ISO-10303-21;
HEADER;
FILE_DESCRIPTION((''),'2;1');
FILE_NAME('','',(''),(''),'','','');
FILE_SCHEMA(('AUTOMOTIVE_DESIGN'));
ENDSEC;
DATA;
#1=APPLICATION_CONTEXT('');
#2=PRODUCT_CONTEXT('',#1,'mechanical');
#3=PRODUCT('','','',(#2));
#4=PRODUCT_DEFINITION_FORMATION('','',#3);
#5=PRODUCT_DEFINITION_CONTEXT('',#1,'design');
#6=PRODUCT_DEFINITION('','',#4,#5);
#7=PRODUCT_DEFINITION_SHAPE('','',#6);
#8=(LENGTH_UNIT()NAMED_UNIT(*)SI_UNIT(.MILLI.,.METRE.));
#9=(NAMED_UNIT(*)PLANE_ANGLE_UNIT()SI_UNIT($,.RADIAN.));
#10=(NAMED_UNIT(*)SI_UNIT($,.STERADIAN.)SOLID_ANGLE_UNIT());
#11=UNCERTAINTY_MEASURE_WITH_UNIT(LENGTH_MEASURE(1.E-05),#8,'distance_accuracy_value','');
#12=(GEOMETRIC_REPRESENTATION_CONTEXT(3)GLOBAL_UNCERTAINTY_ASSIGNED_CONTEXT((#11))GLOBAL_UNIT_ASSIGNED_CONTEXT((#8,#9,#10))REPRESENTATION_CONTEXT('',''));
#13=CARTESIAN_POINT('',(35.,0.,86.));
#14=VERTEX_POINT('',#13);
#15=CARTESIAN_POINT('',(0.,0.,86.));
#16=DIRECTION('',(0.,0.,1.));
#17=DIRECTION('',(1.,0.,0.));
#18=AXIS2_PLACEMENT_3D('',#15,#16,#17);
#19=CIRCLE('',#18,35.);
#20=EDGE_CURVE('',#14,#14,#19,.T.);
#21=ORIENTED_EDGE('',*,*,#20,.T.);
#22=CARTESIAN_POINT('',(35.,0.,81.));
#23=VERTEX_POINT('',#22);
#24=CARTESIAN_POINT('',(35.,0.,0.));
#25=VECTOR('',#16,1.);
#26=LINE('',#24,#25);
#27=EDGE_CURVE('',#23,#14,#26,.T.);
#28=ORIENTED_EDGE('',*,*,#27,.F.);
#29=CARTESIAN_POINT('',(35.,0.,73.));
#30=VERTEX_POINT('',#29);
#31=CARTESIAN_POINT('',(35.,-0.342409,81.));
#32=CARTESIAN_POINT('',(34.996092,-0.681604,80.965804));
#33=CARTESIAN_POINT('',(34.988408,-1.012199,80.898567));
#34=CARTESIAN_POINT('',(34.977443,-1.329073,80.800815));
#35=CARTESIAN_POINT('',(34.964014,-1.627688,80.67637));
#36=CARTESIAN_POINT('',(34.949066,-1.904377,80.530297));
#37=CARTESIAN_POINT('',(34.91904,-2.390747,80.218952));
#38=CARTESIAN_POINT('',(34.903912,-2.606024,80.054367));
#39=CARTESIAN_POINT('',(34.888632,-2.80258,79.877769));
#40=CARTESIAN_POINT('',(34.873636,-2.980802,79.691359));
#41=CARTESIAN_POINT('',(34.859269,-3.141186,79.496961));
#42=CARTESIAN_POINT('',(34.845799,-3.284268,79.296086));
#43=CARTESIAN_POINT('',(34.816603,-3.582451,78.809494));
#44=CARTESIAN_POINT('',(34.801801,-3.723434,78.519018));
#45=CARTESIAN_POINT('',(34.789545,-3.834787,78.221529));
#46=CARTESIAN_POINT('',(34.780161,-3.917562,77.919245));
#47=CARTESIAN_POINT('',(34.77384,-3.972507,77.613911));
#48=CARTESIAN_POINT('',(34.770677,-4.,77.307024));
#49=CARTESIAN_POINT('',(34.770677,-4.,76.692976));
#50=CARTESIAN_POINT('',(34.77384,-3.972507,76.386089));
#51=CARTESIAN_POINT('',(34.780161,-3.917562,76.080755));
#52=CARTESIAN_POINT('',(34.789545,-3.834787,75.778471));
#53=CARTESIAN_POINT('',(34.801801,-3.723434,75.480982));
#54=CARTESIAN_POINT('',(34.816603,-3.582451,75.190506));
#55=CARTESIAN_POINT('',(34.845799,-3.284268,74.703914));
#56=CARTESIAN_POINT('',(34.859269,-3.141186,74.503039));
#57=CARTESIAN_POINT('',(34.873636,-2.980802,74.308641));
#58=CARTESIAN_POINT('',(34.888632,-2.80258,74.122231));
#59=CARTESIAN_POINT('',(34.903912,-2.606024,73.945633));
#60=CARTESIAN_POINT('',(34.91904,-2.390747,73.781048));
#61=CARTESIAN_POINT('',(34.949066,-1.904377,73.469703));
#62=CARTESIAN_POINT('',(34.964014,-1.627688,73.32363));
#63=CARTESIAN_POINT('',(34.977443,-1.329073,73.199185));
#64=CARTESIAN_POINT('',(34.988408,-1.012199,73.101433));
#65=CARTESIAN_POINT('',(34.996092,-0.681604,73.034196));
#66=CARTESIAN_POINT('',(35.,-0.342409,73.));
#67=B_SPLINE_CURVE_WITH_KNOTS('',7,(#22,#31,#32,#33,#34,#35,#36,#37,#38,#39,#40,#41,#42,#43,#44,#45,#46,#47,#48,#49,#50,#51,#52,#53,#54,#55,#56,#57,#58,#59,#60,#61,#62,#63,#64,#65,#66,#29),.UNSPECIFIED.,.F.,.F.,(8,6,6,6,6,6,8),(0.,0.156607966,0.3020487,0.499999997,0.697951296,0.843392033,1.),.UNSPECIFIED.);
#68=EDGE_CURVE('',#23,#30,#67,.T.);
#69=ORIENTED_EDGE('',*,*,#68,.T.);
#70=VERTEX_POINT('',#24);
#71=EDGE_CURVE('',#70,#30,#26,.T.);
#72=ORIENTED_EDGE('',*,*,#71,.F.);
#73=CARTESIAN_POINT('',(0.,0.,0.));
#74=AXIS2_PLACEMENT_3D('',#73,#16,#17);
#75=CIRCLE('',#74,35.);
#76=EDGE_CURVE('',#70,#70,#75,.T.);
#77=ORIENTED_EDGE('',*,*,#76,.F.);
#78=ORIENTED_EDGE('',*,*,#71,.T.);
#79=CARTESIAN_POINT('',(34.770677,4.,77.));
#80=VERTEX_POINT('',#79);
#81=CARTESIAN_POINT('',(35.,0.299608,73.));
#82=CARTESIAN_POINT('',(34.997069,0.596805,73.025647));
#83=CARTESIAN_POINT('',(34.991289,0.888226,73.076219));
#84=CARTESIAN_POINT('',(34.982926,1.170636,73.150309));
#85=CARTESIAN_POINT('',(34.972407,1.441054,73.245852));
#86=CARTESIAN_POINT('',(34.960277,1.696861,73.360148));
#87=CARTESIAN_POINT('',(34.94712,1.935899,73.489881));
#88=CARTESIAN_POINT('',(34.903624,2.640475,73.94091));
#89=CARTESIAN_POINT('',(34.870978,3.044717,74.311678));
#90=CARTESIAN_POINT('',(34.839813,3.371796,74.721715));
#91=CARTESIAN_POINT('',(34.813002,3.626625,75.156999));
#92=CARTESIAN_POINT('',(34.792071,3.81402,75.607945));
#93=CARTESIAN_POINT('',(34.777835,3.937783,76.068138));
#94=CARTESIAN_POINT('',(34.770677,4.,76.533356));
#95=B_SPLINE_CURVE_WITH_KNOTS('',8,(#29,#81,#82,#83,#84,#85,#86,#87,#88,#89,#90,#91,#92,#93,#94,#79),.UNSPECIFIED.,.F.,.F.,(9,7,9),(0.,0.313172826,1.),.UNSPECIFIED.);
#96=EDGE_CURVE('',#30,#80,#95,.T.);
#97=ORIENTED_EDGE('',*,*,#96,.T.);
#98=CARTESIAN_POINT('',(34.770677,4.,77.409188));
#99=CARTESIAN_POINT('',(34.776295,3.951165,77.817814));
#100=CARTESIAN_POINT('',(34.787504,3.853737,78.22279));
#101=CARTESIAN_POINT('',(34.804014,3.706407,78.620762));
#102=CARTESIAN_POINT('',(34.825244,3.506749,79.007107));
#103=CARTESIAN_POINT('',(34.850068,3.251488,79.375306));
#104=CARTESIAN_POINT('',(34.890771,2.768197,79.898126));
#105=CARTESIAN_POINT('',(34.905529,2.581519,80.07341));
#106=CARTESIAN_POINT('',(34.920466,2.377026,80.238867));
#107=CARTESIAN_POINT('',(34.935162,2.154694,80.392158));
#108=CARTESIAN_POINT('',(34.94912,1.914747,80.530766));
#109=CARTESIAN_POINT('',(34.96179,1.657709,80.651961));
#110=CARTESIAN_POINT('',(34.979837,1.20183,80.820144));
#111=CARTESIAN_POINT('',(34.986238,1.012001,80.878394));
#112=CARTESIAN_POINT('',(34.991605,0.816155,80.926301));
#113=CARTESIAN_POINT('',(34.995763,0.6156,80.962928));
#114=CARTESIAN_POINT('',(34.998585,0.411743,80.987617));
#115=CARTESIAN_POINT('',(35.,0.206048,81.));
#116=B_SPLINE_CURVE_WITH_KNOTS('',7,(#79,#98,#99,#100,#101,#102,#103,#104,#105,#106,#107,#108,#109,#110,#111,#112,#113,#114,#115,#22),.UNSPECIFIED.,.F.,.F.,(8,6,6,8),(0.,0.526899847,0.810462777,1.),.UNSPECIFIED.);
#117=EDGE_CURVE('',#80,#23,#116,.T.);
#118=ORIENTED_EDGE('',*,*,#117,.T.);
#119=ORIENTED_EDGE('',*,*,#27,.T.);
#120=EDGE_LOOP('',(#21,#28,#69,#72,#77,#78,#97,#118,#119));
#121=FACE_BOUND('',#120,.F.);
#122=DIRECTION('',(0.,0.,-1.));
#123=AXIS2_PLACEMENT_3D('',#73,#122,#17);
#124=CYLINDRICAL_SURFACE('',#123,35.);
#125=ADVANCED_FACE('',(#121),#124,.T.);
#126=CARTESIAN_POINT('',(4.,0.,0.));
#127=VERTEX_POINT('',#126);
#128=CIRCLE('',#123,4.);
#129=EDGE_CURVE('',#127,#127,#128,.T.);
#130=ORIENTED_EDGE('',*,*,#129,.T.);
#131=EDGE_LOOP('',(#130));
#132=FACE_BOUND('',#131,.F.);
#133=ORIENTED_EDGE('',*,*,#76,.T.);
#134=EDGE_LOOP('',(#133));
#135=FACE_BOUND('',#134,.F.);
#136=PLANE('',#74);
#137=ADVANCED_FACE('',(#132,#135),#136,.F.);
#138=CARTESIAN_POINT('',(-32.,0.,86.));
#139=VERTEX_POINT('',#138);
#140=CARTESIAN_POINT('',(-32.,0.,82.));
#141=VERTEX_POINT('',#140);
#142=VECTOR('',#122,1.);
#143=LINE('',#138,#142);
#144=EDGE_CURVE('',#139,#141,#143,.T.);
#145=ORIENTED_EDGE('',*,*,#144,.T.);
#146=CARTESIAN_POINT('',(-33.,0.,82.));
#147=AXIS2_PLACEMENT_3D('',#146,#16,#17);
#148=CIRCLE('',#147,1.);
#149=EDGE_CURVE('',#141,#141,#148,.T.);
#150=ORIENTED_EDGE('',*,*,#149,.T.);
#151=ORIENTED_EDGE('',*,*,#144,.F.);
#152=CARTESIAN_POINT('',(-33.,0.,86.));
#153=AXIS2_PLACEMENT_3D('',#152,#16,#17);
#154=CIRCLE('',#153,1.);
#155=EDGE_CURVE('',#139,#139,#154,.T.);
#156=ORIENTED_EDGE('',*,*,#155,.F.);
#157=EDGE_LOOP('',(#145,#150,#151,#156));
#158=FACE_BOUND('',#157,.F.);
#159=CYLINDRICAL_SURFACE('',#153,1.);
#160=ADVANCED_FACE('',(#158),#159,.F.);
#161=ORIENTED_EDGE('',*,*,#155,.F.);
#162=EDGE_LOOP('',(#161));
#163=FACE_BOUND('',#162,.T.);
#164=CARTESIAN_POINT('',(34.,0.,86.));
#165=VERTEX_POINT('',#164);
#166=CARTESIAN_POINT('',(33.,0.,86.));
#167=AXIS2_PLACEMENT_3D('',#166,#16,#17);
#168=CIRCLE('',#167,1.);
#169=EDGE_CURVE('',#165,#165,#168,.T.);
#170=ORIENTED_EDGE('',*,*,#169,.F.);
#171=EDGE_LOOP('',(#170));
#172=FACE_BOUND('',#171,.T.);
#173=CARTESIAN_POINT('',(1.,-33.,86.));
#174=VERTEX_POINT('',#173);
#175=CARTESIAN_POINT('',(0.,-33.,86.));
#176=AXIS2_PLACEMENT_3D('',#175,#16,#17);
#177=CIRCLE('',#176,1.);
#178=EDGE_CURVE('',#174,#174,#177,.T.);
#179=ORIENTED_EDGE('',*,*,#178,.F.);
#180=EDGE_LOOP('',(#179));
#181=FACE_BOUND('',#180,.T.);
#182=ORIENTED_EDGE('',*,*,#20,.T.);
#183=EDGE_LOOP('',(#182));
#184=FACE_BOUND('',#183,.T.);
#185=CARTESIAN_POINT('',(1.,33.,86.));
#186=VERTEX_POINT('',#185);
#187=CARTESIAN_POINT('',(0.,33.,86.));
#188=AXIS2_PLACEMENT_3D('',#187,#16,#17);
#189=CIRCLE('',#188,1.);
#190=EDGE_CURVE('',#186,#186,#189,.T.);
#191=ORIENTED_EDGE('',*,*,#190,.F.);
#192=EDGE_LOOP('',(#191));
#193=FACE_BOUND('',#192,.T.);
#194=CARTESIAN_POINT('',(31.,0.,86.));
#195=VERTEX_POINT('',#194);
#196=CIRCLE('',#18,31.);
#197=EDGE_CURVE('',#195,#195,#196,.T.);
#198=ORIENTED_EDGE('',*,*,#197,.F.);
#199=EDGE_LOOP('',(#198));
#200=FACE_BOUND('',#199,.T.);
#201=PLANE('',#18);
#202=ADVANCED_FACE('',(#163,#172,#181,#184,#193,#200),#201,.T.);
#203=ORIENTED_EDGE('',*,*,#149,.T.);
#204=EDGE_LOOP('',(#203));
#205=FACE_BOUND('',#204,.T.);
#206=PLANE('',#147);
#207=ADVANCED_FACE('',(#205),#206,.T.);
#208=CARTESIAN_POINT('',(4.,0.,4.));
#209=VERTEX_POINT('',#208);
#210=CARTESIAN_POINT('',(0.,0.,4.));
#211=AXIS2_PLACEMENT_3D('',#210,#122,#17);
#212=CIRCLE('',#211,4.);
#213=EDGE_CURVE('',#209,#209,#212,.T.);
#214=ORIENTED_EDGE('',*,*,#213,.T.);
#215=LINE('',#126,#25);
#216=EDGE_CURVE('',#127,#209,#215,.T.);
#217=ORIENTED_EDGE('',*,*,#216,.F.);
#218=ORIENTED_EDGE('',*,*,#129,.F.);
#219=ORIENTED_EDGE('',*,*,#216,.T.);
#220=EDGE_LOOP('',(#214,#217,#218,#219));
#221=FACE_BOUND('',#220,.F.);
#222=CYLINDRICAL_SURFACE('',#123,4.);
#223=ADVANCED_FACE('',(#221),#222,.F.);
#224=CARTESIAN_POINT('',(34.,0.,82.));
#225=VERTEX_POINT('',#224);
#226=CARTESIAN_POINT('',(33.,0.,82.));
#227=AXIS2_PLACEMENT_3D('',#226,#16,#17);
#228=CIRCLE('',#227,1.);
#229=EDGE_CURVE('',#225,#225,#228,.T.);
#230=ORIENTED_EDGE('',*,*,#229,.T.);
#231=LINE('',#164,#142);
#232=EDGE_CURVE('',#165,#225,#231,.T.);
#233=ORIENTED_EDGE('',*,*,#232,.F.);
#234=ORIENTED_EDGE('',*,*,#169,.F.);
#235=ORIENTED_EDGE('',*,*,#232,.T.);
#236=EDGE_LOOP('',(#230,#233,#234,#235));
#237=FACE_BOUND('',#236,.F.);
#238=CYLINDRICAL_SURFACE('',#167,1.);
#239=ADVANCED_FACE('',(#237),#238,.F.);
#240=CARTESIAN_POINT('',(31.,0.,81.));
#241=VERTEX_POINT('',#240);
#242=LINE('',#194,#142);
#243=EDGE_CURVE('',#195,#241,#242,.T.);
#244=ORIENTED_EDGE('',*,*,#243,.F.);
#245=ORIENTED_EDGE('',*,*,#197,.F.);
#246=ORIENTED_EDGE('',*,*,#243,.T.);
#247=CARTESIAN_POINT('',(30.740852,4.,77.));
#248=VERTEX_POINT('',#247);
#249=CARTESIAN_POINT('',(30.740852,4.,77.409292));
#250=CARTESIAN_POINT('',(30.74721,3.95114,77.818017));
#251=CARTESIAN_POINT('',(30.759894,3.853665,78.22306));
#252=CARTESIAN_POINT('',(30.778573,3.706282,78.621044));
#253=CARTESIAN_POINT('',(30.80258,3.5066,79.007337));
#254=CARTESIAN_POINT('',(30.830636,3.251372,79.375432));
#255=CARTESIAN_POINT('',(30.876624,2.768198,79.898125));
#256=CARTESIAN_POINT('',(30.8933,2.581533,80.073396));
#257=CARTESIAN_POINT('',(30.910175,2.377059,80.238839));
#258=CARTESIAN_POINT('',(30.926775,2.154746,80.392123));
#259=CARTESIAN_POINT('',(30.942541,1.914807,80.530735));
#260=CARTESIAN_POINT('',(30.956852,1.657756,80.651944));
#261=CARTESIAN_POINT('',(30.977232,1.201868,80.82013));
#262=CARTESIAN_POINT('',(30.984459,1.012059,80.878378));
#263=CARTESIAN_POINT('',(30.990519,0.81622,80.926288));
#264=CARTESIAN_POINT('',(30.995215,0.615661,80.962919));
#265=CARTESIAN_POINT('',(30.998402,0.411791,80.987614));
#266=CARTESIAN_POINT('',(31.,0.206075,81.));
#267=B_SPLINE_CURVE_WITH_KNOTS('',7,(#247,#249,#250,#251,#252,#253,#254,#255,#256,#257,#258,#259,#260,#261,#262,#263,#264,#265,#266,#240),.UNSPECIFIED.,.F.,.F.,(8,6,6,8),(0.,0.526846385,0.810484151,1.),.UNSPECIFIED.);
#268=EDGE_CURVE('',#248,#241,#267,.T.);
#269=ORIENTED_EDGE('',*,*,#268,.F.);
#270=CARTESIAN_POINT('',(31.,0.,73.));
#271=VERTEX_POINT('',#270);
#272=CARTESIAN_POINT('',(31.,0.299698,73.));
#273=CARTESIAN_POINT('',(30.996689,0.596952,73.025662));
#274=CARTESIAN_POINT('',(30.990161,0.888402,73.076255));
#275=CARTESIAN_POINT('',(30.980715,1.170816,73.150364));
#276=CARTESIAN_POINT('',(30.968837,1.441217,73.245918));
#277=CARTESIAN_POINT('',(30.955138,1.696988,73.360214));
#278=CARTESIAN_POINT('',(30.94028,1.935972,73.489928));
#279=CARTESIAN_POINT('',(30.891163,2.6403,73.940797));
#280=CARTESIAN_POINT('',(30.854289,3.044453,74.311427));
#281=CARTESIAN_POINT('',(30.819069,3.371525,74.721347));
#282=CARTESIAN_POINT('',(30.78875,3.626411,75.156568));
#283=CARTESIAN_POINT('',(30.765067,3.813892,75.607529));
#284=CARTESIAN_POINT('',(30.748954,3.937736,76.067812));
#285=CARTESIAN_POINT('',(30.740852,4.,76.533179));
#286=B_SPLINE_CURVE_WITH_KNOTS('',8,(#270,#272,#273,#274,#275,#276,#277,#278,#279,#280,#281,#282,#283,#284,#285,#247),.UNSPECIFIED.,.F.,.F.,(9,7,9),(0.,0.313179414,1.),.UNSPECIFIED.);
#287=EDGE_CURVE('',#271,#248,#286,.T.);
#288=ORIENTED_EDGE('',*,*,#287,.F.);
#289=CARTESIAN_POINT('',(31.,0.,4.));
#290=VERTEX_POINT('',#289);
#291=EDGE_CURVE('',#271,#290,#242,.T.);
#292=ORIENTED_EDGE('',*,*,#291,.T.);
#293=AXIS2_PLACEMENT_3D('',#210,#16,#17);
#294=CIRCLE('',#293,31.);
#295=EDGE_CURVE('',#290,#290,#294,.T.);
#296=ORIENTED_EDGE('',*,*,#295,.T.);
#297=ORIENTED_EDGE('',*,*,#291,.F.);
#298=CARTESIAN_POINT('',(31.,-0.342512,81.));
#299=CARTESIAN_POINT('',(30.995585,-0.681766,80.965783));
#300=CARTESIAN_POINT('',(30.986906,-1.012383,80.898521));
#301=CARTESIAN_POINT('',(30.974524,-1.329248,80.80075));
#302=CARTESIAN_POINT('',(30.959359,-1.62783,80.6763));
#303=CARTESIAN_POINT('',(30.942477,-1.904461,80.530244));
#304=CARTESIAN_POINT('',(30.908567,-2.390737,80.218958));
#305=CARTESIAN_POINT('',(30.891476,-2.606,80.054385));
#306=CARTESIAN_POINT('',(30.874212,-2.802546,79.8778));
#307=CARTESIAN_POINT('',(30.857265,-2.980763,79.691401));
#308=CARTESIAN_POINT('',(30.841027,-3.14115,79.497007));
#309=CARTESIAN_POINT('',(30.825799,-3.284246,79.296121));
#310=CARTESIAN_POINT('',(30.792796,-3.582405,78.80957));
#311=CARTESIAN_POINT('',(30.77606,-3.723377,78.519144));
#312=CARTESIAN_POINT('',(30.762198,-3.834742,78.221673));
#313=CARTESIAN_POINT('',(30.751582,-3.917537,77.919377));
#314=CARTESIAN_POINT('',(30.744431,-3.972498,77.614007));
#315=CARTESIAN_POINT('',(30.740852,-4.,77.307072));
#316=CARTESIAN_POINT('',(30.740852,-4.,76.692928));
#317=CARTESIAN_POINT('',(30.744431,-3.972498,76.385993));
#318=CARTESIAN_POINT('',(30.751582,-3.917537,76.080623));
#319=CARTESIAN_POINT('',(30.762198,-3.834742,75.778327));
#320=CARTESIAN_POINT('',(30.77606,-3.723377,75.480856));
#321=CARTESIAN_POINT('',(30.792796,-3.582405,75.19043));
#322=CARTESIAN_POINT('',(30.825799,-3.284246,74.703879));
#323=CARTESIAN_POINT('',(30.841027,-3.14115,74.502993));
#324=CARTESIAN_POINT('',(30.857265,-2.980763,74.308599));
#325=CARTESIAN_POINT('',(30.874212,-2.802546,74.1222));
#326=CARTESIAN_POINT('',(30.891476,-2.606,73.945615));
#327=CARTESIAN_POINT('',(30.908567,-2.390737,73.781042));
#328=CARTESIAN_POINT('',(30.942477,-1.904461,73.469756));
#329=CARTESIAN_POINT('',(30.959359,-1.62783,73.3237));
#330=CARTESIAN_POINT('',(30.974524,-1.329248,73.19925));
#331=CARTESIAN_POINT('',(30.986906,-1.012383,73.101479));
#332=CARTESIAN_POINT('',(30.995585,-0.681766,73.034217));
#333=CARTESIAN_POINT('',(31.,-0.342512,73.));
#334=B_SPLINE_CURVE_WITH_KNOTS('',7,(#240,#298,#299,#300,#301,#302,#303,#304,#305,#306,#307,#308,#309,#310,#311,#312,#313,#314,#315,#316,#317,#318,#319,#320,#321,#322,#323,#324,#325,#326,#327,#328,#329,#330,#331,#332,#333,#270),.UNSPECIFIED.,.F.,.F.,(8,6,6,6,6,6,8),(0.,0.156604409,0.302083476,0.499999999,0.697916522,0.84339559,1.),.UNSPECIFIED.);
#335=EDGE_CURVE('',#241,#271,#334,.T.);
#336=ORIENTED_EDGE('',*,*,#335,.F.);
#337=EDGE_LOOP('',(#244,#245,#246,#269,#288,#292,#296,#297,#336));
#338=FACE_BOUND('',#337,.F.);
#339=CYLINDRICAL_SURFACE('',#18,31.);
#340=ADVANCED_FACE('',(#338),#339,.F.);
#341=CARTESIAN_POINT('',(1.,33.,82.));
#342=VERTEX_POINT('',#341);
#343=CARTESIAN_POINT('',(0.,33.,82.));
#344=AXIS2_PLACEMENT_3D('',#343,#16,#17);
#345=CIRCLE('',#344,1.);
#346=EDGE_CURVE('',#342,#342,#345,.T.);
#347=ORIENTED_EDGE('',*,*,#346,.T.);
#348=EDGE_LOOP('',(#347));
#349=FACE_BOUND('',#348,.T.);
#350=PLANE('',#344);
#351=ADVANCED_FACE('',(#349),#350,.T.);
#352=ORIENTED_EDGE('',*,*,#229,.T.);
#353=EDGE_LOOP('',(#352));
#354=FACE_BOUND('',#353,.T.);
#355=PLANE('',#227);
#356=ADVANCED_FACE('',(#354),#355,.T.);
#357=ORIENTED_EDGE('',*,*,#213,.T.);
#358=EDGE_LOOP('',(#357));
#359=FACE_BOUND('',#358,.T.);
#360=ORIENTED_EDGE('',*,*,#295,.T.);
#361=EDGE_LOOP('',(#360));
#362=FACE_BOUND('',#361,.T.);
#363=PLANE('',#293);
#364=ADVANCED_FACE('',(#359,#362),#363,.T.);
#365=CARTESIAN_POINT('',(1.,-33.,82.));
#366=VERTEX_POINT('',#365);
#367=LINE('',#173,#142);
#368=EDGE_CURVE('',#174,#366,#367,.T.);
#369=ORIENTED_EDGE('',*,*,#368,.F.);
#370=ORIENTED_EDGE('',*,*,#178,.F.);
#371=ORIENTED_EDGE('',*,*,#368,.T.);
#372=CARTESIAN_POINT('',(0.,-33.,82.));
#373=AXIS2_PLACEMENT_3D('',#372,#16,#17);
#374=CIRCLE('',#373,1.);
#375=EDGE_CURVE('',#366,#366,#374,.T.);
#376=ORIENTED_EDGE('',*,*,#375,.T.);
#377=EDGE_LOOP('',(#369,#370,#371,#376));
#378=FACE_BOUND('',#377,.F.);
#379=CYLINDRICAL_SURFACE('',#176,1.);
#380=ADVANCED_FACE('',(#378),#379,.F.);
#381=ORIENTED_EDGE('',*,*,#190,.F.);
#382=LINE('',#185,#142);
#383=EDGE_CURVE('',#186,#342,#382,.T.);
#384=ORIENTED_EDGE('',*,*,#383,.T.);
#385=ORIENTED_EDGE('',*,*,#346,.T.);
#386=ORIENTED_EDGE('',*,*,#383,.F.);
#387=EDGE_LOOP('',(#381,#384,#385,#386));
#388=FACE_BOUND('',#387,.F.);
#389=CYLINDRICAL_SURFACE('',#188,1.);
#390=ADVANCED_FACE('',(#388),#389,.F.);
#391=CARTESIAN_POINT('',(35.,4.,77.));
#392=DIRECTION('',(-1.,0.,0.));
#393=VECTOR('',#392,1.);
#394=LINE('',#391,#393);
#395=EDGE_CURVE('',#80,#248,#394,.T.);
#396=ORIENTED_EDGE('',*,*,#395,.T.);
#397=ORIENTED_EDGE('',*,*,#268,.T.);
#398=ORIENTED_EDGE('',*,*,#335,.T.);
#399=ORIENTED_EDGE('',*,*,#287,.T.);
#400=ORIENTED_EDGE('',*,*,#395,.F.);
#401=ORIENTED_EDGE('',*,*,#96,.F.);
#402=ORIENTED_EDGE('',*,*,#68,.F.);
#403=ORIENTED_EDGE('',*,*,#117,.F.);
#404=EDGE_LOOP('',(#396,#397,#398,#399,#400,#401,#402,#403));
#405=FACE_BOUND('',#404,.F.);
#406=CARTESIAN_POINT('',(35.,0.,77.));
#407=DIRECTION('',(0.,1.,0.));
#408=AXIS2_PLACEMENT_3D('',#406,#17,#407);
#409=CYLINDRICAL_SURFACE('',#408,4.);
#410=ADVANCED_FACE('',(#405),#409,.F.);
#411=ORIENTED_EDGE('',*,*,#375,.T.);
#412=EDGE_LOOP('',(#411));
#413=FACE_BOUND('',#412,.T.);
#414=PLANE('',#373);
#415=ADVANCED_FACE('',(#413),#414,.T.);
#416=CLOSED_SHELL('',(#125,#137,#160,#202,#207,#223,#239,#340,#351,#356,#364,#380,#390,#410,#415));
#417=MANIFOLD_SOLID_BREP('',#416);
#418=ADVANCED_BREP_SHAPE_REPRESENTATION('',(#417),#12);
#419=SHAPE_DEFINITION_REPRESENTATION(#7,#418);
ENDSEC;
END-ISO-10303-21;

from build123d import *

# Parameters (mm, degrees)
F0_R      = 35
F1_DEPTH  = 86
F2_R      = 31
F3_DEPTH  = 82
F4_R      = 4
F5_DEPTH  = 4
F6_R      = 1
F7_DEPTH  = 4
F9_R      = 4
F10_DEPTH = 4.2601478021


with BuildPart() as f1:
    # F0 (on Top) → F1 (new body)
    with BuildSketch(Plane.XY):
        Circle(F0_R)
    extrude(amount=F1_DEPTH)

    # F2 (on face) → F3 (cut)
    with BuildSketch(Plane.XY.offset(86)):
        Circle(F2_R)
    extrude(amount=-F3_DEPTH, mode=Mode.SUBTRACT)

    # F4 (on face) → F5 (cut, through all)
    with BuildSketch(Plane(origin=(0, 0, 0), x_dir=(1, 0, 0), z_dir=(0, 0, -1))):
        Circle(F4_R)
    extrude(amount=-F5_DEPTH, mode=Mode.SUBTRACT)

    # F6 (on face) → F7 (cut)
    with BuildSketch(Plane.XY.offset(86)):
        with Locations((0, 33)):
            Circle(F6_R)
        with Locations((-33, 0)):
            Circle(F6_R)
        with Locations((0, -33)):
            Circle(F6_R)
        with Locations((33, 0)):
            Circle(F6_R)
    extrude(amount=-F7_DEPTH, mode=Mode.SUBTRACT)

    # F9 (on offset) → F10 (cut, through all)
    with BuildSketch(Plane.YZ.offset(35)):
        with Locations((0, 77)):
            Circle(F9_R)
    extrude(amount=-F10_DEPTH, mode=Mode.SUBTRACT)


solid = f1.part
